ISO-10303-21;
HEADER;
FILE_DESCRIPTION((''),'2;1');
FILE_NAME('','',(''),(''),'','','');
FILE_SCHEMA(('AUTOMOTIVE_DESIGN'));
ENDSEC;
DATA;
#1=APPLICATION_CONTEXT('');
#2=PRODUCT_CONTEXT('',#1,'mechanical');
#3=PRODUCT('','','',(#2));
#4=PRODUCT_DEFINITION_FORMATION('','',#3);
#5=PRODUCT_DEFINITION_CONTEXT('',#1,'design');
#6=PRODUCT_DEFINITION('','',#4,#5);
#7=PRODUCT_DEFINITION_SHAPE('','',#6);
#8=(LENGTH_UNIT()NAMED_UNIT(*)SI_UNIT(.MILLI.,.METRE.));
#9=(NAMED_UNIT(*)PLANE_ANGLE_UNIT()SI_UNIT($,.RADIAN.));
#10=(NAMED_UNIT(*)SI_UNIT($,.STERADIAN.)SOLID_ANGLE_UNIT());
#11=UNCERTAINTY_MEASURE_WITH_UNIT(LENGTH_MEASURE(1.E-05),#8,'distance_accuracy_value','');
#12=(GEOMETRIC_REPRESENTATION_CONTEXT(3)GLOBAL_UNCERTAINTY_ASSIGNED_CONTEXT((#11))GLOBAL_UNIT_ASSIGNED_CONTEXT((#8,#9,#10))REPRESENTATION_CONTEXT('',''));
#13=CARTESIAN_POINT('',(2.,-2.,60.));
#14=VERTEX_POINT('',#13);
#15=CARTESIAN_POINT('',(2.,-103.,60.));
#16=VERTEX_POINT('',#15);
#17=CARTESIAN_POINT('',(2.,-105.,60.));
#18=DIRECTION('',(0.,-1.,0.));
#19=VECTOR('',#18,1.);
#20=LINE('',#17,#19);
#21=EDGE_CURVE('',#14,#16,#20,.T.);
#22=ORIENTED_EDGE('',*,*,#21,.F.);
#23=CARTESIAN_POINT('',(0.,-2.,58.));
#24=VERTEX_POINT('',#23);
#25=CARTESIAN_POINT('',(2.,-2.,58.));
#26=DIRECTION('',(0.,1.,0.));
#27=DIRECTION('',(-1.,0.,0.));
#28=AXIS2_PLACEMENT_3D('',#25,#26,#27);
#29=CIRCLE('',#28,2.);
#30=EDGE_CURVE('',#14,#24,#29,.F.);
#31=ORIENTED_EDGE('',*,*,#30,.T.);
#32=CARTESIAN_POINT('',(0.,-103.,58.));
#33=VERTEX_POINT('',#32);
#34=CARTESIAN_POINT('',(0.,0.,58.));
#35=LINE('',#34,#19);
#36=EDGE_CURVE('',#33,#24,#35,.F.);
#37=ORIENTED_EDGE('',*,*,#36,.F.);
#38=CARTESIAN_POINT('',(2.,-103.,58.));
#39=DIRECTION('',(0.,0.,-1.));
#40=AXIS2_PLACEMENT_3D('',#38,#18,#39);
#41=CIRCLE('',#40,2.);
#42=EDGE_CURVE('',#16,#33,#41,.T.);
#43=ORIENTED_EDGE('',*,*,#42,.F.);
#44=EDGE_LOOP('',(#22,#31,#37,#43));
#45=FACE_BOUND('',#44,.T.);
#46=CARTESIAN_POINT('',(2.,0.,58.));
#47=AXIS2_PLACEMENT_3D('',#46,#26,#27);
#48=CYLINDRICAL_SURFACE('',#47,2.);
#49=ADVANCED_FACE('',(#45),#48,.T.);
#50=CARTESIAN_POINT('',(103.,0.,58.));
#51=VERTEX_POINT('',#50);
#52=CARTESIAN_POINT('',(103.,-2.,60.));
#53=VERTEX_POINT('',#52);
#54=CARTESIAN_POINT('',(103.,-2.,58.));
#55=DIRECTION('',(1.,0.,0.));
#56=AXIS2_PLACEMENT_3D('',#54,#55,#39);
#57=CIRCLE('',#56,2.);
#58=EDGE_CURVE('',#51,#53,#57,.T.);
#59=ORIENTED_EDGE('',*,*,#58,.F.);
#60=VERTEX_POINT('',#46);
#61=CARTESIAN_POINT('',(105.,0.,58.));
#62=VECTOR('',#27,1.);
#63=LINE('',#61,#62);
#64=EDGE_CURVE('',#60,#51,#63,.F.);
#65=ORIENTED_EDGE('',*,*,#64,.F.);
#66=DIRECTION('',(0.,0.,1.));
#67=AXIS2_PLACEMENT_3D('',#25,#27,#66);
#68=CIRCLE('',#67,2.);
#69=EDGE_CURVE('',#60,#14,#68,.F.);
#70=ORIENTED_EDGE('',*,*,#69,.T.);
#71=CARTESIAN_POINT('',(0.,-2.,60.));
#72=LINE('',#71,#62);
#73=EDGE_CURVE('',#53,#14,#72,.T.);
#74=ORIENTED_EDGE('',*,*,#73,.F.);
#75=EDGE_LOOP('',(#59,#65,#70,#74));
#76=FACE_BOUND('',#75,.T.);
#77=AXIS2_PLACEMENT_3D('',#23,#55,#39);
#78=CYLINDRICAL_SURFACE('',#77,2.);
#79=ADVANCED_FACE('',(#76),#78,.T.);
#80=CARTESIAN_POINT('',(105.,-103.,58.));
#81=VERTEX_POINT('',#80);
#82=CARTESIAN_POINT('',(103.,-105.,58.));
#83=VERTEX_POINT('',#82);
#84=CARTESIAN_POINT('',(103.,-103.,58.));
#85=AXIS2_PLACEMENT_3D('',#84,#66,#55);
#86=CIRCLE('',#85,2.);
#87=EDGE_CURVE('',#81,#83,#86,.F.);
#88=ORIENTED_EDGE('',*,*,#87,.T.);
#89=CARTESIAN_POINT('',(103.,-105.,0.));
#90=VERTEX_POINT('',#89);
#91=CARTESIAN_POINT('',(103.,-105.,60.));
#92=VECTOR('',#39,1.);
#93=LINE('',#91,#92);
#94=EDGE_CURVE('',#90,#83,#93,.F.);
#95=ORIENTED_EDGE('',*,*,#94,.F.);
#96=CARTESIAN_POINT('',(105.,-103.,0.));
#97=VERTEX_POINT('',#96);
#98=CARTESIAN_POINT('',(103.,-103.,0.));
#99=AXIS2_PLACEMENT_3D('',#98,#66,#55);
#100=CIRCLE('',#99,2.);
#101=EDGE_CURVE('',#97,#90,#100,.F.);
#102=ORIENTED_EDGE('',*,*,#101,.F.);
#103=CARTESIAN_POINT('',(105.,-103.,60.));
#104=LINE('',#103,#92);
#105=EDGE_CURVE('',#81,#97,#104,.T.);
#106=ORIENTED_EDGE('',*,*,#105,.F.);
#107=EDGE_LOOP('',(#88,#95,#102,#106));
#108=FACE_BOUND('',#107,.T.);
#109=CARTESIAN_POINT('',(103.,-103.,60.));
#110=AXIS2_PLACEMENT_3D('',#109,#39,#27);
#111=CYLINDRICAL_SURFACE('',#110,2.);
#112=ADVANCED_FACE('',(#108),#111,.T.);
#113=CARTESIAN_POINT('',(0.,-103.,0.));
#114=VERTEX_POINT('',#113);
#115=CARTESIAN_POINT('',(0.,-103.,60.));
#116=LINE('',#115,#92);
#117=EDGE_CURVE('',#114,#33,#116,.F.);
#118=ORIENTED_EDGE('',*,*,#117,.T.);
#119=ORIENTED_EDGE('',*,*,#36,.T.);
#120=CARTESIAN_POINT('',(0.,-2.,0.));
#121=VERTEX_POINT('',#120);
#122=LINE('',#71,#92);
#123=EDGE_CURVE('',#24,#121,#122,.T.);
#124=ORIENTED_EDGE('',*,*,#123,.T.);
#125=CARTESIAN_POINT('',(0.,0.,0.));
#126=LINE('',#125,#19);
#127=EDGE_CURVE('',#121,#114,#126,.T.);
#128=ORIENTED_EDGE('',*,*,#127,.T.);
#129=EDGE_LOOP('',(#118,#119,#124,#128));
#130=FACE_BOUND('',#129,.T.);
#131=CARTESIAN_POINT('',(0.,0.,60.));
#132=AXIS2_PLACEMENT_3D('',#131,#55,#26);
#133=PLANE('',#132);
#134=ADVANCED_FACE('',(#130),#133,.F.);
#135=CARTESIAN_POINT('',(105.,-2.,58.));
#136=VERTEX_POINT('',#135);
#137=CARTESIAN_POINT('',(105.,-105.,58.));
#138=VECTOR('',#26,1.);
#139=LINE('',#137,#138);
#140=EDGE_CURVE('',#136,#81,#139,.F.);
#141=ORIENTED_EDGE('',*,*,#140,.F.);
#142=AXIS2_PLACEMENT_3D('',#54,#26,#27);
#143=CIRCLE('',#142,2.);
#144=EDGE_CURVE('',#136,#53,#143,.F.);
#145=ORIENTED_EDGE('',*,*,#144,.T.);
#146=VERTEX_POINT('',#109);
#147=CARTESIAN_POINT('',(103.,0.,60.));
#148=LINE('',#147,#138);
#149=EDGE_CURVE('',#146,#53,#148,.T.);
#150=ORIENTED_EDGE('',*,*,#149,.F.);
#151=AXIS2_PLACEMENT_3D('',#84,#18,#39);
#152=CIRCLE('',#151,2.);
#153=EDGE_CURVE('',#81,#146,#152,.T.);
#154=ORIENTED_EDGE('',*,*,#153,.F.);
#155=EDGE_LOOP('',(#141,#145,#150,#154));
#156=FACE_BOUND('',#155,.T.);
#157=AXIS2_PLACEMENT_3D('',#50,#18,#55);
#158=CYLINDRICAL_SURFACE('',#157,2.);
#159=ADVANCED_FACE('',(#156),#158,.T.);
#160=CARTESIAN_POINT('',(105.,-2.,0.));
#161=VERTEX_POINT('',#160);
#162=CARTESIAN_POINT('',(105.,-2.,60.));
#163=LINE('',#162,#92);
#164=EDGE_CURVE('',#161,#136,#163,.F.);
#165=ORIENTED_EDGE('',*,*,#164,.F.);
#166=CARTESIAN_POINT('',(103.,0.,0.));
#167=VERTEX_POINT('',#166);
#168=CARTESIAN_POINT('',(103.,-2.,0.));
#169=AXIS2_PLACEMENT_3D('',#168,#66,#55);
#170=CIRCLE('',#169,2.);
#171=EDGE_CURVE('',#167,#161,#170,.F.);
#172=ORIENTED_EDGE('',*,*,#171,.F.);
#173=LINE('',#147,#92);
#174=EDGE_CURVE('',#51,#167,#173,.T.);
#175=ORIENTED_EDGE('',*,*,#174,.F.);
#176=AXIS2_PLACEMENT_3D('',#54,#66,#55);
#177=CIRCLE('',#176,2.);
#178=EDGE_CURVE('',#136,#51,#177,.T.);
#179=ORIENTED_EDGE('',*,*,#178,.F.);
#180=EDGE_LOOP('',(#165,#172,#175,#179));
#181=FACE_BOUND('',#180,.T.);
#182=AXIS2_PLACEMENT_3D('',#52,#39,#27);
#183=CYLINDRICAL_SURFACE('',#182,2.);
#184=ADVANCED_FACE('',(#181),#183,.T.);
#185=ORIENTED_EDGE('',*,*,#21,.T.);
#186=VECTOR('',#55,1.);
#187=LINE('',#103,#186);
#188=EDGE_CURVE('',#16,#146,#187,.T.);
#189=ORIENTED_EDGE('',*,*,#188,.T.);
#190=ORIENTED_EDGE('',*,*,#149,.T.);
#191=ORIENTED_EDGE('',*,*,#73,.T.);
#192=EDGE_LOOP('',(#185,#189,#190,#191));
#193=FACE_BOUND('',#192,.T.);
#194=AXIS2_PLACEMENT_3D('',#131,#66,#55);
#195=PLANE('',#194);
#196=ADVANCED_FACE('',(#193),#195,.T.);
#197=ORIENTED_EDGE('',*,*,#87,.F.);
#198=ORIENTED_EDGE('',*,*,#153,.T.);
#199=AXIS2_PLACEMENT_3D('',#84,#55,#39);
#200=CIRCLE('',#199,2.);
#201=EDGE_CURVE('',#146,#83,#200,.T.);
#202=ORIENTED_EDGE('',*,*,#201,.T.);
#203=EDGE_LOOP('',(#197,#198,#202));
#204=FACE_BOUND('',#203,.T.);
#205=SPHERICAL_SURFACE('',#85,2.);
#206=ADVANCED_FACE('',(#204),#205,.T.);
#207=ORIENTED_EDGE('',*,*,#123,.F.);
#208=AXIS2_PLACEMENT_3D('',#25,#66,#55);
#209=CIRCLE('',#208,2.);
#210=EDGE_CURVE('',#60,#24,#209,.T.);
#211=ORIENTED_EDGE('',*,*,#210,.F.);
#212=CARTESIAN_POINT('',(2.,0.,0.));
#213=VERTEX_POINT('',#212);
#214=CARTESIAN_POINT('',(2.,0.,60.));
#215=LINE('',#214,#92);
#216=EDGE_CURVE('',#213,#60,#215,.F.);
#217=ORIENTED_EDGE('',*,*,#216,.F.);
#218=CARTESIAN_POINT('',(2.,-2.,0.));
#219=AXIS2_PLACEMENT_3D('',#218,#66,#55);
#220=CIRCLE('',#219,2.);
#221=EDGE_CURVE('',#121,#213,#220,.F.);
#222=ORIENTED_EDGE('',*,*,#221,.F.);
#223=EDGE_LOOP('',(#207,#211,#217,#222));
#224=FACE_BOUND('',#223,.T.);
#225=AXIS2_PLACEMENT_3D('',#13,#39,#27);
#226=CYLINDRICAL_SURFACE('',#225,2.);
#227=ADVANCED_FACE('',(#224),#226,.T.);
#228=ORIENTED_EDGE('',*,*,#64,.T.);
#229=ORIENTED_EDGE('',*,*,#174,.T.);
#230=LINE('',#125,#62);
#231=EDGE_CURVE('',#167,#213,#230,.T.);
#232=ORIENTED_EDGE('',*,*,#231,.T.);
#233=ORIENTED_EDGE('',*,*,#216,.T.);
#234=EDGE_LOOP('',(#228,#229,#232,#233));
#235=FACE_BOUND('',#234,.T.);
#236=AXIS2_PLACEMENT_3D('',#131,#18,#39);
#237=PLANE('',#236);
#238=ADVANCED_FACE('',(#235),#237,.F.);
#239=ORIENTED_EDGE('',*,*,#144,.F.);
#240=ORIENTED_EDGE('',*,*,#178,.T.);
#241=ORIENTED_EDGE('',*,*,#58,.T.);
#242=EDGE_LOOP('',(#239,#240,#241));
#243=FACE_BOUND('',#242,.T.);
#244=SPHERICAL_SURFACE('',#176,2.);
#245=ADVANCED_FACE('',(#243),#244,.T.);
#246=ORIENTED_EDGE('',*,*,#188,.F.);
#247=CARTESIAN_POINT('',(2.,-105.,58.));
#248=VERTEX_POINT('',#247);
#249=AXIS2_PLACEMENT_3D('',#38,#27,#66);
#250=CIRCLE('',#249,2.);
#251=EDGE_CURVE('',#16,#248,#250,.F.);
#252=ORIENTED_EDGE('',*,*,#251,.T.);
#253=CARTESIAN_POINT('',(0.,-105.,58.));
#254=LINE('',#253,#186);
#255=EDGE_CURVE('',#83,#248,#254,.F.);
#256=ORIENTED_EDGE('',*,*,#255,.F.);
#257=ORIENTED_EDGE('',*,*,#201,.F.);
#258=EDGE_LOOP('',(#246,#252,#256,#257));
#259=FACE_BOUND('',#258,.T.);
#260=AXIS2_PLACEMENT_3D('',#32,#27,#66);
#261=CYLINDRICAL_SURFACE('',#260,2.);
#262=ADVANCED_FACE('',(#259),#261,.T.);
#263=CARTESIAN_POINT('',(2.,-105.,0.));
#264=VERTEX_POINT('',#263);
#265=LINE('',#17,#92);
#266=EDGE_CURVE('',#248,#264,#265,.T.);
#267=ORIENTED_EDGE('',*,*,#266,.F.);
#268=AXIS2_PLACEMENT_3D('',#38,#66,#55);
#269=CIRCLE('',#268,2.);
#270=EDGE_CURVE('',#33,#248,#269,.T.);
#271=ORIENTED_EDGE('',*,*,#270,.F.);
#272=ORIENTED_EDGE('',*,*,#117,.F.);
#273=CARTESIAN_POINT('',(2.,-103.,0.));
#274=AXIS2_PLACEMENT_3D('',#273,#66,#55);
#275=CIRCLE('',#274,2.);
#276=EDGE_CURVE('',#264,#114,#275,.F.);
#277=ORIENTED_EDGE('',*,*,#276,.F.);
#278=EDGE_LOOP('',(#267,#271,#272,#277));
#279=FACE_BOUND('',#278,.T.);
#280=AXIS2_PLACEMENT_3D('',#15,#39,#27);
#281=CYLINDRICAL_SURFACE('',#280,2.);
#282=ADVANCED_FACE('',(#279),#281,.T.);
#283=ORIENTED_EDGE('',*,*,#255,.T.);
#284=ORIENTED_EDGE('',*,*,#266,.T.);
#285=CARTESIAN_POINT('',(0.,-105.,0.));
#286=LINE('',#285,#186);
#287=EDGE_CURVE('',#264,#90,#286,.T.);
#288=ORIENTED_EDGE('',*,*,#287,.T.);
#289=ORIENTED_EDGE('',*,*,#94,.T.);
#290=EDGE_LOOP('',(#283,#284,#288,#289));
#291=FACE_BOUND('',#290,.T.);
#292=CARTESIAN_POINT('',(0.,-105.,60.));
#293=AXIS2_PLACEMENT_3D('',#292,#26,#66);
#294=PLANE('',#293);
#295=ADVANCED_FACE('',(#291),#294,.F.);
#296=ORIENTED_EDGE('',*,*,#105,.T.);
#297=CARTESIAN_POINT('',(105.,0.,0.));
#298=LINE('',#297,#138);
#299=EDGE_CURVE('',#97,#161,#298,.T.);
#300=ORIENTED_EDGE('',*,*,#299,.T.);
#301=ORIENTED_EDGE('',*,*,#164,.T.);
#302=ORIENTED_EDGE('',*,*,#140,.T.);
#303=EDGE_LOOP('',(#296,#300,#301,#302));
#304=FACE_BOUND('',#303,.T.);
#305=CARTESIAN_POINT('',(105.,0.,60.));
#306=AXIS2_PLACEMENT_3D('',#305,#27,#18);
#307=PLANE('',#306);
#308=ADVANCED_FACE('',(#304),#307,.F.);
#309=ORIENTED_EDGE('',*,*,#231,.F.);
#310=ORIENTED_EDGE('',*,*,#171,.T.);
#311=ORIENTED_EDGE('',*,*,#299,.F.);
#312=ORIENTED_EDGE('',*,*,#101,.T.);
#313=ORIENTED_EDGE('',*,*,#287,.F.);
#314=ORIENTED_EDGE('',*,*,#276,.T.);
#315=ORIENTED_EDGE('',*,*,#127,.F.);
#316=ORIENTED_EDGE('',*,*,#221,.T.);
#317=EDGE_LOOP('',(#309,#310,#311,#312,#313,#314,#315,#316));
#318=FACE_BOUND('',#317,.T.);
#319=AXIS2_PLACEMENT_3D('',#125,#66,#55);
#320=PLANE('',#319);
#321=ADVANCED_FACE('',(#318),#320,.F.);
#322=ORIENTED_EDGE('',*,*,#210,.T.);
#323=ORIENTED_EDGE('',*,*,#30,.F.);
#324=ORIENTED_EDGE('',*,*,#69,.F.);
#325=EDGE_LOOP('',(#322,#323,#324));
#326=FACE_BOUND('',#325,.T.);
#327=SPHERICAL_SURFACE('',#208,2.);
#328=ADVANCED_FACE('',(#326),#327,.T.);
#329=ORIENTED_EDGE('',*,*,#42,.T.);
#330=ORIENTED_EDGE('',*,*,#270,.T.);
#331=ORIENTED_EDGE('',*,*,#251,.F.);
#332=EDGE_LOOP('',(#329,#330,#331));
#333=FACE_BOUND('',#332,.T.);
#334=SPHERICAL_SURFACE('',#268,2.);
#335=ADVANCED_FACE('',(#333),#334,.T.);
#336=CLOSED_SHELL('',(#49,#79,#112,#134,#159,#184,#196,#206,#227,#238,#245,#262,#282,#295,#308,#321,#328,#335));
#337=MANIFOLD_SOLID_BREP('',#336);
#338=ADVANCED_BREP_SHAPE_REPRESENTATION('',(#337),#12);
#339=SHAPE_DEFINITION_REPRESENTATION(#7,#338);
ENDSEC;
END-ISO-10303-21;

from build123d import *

# Parameters (mm, degrees)
CROQUIS1_W              = 105
CROQUIS1_H              = 105
SALIENTE_EXTRUIR1_DEPTH = 60
REDONDEO1_R             = 2


with BuildPart() as part:
    # Croquis1 → Saliente-Extruir1 (new body)
    with BuildSketch(Plane.XY):
        with Locations((52.5, -52.5)):
            Rectangle(CROQUIS1_W, CROQUIS1_H)
    extrude(amount=SALIENTE_EXTRUIR1_DEPTH)

    # Redondeo1
    redondeo1_edges = [part.edges().sort_by_distance(p)[0] for p in [
        (105, -52.5, 60),
        (52.5, 0, 60),
        (0, -52.5, 60),
        (52.5, -105, 60),
        (0, 0, 30),
        (105, 0, 30),
        (105, -105, 30),
        (0, -105, 30),
    ]]
    fillet(redondeo1_edges, radius=REDONDEO1_R)


solid = part.part
